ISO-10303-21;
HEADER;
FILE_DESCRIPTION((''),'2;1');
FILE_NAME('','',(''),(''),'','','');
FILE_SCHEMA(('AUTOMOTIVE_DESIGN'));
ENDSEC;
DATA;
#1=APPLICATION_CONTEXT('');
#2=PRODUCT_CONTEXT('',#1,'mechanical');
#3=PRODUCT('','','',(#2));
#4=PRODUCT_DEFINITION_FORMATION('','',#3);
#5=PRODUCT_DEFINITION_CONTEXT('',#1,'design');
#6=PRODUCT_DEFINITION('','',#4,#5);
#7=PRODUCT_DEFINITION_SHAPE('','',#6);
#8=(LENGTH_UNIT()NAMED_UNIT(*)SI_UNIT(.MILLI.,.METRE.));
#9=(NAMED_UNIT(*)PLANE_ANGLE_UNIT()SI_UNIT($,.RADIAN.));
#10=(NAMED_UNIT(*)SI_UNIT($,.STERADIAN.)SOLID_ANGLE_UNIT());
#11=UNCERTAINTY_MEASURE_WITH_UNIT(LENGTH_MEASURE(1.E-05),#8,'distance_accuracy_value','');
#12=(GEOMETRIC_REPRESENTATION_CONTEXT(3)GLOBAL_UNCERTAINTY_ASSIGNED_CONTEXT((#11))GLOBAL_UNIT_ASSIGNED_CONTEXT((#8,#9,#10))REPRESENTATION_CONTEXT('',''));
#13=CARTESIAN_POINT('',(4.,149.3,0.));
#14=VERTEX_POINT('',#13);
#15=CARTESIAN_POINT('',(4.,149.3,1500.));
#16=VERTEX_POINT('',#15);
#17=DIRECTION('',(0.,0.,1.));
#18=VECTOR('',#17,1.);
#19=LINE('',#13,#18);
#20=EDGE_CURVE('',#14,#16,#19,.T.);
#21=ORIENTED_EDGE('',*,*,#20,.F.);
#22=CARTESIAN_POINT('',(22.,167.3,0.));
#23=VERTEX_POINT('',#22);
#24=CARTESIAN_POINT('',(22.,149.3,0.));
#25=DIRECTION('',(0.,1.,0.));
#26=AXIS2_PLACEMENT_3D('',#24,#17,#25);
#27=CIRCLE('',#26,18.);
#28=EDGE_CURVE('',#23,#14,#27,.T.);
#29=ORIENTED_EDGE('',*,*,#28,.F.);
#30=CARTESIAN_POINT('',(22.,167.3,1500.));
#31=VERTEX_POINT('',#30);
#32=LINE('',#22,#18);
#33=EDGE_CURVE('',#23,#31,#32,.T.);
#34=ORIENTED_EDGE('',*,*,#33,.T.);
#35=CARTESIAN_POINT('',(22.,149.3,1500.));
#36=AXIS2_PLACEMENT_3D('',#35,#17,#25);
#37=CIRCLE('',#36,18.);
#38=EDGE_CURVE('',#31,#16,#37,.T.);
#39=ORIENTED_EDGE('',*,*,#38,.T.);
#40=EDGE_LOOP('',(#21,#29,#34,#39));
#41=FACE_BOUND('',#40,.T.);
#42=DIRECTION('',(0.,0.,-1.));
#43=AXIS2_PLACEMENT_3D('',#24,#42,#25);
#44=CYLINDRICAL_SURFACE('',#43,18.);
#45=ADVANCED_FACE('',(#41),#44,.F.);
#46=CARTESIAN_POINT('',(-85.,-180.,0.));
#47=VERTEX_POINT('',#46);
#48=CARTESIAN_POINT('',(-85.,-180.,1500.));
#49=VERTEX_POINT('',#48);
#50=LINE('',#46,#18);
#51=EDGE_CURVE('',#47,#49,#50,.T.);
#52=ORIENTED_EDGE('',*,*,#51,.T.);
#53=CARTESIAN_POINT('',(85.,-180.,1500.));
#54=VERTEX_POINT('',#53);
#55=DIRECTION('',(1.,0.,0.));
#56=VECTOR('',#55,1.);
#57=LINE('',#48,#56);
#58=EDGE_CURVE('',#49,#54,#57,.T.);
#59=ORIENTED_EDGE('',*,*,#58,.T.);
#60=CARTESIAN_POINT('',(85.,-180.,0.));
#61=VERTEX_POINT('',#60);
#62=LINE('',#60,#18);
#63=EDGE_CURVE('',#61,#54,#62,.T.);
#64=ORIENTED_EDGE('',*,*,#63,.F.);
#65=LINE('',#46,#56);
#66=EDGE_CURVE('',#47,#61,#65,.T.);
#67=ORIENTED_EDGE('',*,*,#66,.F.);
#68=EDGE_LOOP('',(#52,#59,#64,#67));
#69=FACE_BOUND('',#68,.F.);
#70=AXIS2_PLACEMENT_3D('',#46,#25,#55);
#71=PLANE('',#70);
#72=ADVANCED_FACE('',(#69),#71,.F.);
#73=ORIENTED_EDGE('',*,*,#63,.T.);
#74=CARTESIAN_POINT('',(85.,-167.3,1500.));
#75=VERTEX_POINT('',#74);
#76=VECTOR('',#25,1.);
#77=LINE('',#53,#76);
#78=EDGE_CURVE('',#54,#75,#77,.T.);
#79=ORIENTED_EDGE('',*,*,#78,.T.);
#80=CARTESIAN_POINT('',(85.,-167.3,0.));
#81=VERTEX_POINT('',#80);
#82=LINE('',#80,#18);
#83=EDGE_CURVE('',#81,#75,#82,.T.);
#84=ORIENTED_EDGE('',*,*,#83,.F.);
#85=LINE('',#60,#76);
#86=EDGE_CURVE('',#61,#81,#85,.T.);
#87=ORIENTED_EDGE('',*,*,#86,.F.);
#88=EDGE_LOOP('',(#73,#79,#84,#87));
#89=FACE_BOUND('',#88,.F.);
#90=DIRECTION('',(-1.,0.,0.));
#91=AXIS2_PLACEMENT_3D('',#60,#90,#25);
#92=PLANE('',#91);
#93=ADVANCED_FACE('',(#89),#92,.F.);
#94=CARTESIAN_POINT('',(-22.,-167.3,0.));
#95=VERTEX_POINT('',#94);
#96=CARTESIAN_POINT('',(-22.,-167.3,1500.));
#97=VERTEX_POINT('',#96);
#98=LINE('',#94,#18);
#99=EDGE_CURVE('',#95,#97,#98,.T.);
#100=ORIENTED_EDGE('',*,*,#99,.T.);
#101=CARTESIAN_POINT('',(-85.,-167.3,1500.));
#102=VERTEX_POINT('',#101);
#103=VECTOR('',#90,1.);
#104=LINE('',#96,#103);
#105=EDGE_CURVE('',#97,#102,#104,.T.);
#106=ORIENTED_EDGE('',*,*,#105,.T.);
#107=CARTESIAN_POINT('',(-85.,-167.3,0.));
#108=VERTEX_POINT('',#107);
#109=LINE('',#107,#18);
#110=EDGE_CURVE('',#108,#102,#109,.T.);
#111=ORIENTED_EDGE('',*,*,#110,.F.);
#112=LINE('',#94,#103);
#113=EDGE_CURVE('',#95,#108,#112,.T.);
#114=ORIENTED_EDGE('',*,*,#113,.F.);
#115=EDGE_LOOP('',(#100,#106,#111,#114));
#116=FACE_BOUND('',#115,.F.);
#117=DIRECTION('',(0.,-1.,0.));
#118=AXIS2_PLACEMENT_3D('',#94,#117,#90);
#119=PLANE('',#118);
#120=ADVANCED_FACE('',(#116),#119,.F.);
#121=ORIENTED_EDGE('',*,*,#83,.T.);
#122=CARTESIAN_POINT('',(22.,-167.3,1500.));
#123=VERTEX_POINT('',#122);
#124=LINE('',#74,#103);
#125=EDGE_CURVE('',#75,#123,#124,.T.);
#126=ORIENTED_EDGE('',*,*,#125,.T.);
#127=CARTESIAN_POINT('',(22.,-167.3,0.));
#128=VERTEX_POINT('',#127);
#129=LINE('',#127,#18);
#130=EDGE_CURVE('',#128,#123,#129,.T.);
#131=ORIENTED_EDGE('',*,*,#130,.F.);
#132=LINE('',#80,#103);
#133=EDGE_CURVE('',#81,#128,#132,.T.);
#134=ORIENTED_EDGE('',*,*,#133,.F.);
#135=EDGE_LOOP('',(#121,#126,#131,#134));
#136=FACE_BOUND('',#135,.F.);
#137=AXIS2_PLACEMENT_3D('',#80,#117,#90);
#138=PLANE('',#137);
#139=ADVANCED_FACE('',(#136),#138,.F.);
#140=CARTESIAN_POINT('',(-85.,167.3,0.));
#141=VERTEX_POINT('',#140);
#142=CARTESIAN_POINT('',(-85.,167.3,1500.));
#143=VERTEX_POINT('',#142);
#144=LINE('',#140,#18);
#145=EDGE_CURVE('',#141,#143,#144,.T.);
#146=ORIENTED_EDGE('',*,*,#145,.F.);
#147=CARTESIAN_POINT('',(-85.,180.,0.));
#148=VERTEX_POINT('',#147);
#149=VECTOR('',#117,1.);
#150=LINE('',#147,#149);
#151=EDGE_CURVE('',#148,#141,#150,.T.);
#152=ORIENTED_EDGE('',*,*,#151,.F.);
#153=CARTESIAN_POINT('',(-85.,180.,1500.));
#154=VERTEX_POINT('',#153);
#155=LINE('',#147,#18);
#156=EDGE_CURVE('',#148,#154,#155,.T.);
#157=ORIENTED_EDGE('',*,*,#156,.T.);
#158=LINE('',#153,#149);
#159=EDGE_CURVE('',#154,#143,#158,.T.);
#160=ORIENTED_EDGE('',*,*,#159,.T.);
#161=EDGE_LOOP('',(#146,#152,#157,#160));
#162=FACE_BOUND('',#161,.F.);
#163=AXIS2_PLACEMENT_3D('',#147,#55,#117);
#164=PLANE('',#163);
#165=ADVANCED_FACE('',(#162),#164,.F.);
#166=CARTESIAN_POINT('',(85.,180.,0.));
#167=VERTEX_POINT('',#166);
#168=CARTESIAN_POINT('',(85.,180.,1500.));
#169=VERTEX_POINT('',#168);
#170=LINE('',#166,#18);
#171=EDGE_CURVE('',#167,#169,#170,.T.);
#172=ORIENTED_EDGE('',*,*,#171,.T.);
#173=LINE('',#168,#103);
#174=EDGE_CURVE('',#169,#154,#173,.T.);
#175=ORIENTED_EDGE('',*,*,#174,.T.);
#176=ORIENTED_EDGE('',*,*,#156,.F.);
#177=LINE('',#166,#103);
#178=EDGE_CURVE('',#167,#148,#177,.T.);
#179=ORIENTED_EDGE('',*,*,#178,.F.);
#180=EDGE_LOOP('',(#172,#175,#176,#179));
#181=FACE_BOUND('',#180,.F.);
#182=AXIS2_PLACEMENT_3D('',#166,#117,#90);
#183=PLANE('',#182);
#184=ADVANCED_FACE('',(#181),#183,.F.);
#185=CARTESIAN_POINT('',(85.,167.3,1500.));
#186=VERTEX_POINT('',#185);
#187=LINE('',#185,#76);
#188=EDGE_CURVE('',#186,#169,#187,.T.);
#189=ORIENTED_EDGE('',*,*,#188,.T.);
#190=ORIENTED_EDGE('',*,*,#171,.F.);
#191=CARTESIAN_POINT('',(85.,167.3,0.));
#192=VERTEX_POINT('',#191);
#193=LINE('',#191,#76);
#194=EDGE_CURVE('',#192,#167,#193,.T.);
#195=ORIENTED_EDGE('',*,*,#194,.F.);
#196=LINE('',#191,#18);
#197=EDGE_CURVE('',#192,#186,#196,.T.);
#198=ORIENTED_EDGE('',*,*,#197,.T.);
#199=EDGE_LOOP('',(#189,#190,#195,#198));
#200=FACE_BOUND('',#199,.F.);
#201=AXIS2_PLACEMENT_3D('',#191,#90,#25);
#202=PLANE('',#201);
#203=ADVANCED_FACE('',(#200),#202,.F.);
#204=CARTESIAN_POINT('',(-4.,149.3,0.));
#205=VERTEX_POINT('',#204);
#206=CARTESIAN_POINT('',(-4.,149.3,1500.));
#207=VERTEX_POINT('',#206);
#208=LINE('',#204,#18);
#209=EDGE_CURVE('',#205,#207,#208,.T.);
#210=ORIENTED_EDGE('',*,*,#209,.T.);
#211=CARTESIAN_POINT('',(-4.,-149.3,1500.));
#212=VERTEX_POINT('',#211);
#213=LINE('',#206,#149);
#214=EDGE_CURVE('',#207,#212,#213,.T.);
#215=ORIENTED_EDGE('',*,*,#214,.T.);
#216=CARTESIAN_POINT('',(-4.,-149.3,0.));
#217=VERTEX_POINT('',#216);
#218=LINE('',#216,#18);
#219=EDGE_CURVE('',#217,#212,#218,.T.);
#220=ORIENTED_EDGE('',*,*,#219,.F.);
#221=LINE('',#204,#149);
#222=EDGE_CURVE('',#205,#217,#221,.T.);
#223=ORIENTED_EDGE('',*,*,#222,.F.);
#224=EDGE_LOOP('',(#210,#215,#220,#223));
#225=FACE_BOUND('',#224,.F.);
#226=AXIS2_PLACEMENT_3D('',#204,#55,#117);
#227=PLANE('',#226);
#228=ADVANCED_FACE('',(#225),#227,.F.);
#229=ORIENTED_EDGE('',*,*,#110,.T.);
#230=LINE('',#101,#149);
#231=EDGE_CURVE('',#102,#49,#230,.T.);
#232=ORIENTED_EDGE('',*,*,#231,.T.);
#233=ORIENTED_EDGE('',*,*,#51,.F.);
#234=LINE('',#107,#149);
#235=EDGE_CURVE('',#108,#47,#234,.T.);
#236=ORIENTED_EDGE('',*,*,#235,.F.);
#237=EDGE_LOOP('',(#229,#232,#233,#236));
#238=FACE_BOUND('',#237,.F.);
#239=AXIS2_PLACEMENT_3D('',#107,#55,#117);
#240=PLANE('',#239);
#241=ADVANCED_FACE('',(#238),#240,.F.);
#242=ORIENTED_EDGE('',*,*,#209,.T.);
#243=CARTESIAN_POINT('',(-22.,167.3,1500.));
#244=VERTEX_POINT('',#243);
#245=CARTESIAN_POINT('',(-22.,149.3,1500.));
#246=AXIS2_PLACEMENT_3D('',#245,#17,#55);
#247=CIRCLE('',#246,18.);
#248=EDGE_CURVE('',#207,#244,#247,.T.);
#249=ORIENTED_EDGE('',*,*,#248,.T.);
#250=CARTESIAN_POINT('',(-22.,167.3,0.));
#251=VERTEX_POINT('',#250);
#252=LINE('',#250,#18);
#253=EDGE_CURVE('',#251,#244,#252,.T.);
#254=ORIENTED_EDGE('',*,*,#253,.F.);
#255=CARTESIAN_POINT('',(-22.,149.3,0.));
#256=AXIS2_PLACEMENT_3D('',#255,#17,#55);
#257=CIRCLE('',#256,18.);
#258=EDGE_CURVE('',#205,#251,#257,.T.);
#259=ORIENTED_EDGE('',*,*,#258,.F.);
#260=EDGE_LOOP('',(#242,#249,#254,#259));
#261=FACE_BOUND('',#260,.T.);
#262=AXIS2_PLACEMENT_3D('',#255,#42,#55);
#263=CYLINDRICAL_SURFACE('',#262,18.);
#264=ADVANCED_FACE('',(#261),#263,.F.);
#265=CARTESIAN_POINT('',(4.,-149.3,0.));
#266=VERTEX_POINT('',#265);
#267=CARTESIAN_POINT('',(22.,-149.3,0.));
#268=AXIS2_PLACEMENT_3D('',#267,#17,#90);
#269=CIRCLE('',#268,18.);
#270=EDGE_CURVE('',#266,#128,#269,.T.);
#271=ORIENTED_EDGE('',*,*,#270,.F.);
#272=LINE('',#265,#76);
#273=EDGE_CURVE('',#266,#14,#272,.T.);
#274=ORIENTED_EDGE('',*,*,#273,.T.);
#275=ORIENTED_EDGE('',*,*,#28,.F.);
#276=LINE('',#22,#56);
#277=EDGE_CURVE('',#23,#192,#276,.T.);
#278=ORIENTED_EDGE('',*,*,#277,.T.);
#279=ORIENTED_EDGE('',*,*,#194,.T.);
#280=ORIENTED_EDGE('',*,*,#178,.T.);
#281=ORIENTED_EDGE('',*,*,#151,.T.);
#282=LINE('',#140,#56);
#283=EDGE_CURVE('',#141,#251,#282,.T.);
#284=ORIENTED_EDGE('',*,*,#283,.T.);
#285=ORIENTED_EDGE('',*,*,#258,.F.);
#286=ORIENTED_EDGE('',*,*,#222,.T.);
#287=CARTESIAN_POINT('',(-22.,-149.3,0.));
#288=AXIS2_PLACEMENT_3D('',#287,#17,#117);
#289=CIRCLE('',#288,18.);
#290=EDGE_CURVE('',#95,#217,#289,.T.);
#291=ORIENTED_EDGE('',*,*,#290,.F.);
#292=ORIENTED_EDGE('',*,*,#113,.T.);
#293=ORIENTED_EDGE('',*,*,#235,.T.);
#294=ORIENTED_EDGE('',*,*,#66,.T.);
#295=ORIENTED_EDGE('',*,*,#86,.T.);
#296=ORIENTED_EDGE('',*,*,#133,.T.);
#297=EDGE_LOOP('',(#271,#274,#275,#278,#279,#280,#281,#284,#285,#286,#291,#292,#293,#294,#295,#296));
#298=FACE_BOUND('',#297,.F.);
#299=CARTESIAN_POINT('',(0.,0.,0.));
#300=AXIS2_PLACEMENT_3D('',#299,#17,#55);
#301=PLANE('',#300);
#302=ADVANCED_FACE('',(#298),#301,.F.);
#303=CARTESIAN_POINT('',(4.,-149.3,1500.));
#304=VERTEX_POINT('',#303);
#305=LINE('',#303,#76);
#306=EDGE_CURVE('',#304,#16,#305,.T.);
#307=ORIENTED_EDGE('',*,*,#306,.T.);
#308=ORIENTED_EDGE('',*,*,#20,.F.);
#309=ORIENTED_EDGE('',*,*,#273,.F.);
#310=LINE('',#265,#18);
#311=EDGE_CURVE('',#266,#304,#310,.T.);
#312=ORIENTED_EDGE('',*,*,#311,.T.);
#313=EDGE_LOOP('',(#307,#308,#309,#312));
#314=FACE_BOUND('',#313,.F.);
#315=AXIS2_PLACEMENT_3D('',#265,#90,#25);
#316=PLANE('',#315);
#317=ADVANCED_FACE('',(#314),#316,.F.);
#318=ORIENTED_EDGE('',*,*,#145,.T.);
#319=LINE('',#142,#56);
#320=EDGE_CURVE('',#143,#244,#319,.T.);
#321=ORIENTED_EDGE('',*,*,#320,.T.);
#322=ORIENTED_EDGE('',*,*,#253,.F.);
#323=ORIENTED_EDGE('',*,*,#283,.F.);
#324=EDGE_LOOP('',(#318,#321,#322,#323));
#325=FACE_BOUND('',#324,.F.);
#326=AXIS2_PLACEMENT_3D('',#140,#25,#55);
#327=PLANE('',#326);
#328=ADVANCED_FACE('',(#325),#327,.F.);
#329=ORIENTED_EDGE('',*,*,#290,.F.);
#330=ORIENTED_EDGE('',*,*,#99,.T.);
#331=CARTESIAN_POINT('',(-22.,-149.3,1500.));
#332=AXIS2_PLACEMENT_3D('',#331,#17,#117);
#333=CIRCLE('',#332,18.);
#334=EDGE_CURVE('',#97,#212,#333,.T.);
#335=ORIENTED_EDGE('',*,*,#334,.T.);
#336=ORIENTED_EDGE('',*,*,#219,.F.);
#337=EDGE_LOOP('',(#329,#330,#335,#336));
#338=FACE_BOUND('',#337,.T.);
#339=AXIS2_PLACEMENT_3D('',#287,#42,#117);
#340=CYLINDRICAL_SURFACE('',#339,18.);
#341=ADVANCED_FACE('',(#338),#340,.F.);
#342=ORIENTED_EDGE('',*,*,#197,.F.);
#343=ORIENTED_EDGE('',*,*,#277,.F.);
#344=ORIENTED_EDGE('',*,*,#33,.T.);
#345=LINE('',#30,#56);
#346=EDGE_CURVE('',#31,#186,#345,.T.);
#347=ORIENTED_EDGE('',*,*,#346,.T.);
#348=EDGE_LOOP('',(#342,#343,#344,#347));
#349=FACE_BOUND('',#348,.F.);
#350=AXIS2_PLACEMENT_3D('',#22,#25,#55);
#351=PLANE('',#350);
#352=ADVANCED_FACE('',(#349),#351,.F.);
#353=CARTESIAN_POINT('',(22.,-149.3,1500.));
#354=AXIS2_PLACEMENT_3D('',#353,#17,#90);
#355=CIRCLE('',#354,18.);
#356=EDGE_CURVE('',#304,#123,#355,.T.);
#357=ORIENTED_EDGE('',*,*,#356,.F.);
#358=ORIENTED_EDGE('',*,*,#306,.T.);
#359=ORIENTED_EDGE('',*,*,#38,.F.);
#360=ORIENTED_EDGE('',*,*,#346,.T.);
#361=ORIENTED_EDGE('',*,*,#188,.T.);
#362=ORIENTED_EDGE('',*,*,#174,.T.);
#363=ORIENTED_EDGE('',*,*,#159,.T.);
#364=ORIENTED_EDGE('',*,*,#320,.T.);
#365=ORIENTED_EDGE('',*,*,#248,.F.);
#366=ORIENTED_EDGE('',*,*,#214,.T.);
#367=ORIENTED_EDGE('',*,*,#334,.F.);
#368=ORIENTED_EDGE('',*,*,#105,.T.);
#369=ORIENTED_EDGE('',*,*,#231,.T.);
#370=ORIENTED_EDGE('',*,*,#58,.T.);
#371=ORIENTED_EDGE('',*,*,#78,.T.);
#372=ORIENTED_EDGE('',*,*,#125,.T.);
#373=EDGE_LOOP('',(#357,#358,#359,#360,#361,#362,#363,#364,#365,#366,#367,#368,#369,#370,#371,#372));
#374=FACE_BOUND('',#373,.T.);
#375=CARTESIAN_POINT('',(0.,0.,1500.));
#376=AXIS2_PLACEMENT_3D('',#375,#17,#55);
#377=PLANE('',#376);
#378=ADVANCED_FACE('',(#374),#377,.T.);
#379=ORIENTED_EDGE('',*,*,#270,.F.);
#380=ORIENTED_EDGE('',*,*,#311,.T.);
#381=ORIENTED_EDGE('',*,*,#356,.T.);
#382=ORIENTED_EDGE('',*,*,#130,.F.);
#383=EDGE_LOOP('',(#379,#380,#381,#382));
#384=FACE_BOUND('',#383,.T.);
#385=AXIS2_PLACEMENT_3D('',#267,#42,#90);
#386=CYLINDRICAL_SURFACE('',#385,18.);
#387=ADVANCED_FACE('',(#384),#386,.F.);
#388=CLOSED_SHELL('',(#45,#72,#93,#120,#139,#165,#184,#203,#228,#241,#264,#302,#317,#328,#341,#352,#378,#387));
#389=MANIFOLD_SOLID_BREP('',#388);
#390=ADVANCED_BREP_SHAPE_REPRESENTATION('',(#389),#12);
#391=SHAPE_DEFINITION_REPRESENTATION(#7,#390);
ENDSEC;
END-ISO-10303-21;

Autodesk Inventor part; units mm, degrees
ref_plane "YZ Plane" through (0, 0, 0) normal (1, 0, 0) x (0, 1, 0)
ref_plane "Start Plane" through (0, 0, 0) normal (0, 0, 1) x (1, 0, 0)
ref_plane "End Plane" through (0, 0, 1500) normal (0, 0, 1) x (1, 0, 0)
sketch "Sketch" plane through (0, 0, 0) normal (0, 0, 1) x (1, 0, 0)
  line L0 (-85, 167.3) -> (-22, 167.3)
  line L1 (-85, 180) -> (-85, 167.3)
  line L2 (85, 180) -> (-85, 180)
  line L3 (85, 167.3) -> (85, 180)
  line L4 (22, 167.3) -> (85, 167.3)
  line L5 (4, -149.3) -> (4, 149.3)
  line L6 (85, -167.3) -> (22, -167.3)
  line L7 (85, -180) -> (85, -167.3)
  line L8 (-85, -167.3) -> (-85, -180)
  line L9 (-22, -167.3) -> (-85, -167.3)
  line L10 (-4, 149.3) -> (-4, -149.3)
  line L11 (0, -252) -> (0, 252) construction
  line L12 (-4, -167.3) -> (4, -167.3) construction
  arc A0 (-22, -167.3) -> (-4, -149.3) centre (-22, -149.3) ccw
  arc A1 (-4, 149.3) -> (-22, 167.3) centre (-22, 149.3) ccw
  arc A2 (22, 167.3) -> (4, 149.3) centre (22, 149.3) ccw
  arc A3 (4, -149.3) -> (22, -167.3) centre (22, -149.3) ccw
  line L13 (-119, 0) -> (119, 0) construction
  line L14 (-85, -180) -> (85, -180)
  point P0 (-4, 167.3)
  point P1 (4, 167.3)
  point P2 (0, 0)
  point P3 (0, -167.3)
  point P4 (0, 0)
  dimension "d1" = 360
  dimension "d3" = 12.7
  dimension "d5" = 8
  dimension "d7" = 170
  dimension "d13" = 18
  dimension "d14" = 180
  dimension "d15" = 85
extrude "Body" add sketch "Sketch" along normal up to surface (1500 mm away) from surface at 0
sketch "Sketch3" plane through (0, 0, 0) normal (0, 0, 1) x (1, 0, 0)
  line L0 (0, 0) -> (10, 0)
ref_plane "Work Plane3" through (0, 0, 0) normal (0, -1, 0) x (1, 0, 0)
sketch "Sketch4" plane through (0, 0, 0) normal (0, -1, 0) x (1, 0, 0)
  line L0 (-2, 0) -> (12, 0) projected
  line L1 (-2, 1500) -> (12, 1500) projected
  dimension "d19" = 1500
equation "\"d1\" = ParH"
equation "\"d3\" = t2"
equation "\"d5\" = t1"
equation "\"d7\" = b"
equation "\"d13\" = R1"
equation "\"d14\" = 0.5 * d1"
equation "\"d15\" = 0.5 * d7"
equation "\"d8\" = G_L"
equation "\"b\" = 170"
equation "\"ParH\" = 360"
equation "\"R1\" = 18"
equation "\"G_L\" = d19"
equation "\"t1\" = 8"
equation "\"t2\" = 12.7"
equation "\"G_OFFSET_START\" = 0"
equation "\"G_OFFSET_END\" = 0"
properties part number "DIN 1025 - IPE 360-1500" material "Steel, Mild"
